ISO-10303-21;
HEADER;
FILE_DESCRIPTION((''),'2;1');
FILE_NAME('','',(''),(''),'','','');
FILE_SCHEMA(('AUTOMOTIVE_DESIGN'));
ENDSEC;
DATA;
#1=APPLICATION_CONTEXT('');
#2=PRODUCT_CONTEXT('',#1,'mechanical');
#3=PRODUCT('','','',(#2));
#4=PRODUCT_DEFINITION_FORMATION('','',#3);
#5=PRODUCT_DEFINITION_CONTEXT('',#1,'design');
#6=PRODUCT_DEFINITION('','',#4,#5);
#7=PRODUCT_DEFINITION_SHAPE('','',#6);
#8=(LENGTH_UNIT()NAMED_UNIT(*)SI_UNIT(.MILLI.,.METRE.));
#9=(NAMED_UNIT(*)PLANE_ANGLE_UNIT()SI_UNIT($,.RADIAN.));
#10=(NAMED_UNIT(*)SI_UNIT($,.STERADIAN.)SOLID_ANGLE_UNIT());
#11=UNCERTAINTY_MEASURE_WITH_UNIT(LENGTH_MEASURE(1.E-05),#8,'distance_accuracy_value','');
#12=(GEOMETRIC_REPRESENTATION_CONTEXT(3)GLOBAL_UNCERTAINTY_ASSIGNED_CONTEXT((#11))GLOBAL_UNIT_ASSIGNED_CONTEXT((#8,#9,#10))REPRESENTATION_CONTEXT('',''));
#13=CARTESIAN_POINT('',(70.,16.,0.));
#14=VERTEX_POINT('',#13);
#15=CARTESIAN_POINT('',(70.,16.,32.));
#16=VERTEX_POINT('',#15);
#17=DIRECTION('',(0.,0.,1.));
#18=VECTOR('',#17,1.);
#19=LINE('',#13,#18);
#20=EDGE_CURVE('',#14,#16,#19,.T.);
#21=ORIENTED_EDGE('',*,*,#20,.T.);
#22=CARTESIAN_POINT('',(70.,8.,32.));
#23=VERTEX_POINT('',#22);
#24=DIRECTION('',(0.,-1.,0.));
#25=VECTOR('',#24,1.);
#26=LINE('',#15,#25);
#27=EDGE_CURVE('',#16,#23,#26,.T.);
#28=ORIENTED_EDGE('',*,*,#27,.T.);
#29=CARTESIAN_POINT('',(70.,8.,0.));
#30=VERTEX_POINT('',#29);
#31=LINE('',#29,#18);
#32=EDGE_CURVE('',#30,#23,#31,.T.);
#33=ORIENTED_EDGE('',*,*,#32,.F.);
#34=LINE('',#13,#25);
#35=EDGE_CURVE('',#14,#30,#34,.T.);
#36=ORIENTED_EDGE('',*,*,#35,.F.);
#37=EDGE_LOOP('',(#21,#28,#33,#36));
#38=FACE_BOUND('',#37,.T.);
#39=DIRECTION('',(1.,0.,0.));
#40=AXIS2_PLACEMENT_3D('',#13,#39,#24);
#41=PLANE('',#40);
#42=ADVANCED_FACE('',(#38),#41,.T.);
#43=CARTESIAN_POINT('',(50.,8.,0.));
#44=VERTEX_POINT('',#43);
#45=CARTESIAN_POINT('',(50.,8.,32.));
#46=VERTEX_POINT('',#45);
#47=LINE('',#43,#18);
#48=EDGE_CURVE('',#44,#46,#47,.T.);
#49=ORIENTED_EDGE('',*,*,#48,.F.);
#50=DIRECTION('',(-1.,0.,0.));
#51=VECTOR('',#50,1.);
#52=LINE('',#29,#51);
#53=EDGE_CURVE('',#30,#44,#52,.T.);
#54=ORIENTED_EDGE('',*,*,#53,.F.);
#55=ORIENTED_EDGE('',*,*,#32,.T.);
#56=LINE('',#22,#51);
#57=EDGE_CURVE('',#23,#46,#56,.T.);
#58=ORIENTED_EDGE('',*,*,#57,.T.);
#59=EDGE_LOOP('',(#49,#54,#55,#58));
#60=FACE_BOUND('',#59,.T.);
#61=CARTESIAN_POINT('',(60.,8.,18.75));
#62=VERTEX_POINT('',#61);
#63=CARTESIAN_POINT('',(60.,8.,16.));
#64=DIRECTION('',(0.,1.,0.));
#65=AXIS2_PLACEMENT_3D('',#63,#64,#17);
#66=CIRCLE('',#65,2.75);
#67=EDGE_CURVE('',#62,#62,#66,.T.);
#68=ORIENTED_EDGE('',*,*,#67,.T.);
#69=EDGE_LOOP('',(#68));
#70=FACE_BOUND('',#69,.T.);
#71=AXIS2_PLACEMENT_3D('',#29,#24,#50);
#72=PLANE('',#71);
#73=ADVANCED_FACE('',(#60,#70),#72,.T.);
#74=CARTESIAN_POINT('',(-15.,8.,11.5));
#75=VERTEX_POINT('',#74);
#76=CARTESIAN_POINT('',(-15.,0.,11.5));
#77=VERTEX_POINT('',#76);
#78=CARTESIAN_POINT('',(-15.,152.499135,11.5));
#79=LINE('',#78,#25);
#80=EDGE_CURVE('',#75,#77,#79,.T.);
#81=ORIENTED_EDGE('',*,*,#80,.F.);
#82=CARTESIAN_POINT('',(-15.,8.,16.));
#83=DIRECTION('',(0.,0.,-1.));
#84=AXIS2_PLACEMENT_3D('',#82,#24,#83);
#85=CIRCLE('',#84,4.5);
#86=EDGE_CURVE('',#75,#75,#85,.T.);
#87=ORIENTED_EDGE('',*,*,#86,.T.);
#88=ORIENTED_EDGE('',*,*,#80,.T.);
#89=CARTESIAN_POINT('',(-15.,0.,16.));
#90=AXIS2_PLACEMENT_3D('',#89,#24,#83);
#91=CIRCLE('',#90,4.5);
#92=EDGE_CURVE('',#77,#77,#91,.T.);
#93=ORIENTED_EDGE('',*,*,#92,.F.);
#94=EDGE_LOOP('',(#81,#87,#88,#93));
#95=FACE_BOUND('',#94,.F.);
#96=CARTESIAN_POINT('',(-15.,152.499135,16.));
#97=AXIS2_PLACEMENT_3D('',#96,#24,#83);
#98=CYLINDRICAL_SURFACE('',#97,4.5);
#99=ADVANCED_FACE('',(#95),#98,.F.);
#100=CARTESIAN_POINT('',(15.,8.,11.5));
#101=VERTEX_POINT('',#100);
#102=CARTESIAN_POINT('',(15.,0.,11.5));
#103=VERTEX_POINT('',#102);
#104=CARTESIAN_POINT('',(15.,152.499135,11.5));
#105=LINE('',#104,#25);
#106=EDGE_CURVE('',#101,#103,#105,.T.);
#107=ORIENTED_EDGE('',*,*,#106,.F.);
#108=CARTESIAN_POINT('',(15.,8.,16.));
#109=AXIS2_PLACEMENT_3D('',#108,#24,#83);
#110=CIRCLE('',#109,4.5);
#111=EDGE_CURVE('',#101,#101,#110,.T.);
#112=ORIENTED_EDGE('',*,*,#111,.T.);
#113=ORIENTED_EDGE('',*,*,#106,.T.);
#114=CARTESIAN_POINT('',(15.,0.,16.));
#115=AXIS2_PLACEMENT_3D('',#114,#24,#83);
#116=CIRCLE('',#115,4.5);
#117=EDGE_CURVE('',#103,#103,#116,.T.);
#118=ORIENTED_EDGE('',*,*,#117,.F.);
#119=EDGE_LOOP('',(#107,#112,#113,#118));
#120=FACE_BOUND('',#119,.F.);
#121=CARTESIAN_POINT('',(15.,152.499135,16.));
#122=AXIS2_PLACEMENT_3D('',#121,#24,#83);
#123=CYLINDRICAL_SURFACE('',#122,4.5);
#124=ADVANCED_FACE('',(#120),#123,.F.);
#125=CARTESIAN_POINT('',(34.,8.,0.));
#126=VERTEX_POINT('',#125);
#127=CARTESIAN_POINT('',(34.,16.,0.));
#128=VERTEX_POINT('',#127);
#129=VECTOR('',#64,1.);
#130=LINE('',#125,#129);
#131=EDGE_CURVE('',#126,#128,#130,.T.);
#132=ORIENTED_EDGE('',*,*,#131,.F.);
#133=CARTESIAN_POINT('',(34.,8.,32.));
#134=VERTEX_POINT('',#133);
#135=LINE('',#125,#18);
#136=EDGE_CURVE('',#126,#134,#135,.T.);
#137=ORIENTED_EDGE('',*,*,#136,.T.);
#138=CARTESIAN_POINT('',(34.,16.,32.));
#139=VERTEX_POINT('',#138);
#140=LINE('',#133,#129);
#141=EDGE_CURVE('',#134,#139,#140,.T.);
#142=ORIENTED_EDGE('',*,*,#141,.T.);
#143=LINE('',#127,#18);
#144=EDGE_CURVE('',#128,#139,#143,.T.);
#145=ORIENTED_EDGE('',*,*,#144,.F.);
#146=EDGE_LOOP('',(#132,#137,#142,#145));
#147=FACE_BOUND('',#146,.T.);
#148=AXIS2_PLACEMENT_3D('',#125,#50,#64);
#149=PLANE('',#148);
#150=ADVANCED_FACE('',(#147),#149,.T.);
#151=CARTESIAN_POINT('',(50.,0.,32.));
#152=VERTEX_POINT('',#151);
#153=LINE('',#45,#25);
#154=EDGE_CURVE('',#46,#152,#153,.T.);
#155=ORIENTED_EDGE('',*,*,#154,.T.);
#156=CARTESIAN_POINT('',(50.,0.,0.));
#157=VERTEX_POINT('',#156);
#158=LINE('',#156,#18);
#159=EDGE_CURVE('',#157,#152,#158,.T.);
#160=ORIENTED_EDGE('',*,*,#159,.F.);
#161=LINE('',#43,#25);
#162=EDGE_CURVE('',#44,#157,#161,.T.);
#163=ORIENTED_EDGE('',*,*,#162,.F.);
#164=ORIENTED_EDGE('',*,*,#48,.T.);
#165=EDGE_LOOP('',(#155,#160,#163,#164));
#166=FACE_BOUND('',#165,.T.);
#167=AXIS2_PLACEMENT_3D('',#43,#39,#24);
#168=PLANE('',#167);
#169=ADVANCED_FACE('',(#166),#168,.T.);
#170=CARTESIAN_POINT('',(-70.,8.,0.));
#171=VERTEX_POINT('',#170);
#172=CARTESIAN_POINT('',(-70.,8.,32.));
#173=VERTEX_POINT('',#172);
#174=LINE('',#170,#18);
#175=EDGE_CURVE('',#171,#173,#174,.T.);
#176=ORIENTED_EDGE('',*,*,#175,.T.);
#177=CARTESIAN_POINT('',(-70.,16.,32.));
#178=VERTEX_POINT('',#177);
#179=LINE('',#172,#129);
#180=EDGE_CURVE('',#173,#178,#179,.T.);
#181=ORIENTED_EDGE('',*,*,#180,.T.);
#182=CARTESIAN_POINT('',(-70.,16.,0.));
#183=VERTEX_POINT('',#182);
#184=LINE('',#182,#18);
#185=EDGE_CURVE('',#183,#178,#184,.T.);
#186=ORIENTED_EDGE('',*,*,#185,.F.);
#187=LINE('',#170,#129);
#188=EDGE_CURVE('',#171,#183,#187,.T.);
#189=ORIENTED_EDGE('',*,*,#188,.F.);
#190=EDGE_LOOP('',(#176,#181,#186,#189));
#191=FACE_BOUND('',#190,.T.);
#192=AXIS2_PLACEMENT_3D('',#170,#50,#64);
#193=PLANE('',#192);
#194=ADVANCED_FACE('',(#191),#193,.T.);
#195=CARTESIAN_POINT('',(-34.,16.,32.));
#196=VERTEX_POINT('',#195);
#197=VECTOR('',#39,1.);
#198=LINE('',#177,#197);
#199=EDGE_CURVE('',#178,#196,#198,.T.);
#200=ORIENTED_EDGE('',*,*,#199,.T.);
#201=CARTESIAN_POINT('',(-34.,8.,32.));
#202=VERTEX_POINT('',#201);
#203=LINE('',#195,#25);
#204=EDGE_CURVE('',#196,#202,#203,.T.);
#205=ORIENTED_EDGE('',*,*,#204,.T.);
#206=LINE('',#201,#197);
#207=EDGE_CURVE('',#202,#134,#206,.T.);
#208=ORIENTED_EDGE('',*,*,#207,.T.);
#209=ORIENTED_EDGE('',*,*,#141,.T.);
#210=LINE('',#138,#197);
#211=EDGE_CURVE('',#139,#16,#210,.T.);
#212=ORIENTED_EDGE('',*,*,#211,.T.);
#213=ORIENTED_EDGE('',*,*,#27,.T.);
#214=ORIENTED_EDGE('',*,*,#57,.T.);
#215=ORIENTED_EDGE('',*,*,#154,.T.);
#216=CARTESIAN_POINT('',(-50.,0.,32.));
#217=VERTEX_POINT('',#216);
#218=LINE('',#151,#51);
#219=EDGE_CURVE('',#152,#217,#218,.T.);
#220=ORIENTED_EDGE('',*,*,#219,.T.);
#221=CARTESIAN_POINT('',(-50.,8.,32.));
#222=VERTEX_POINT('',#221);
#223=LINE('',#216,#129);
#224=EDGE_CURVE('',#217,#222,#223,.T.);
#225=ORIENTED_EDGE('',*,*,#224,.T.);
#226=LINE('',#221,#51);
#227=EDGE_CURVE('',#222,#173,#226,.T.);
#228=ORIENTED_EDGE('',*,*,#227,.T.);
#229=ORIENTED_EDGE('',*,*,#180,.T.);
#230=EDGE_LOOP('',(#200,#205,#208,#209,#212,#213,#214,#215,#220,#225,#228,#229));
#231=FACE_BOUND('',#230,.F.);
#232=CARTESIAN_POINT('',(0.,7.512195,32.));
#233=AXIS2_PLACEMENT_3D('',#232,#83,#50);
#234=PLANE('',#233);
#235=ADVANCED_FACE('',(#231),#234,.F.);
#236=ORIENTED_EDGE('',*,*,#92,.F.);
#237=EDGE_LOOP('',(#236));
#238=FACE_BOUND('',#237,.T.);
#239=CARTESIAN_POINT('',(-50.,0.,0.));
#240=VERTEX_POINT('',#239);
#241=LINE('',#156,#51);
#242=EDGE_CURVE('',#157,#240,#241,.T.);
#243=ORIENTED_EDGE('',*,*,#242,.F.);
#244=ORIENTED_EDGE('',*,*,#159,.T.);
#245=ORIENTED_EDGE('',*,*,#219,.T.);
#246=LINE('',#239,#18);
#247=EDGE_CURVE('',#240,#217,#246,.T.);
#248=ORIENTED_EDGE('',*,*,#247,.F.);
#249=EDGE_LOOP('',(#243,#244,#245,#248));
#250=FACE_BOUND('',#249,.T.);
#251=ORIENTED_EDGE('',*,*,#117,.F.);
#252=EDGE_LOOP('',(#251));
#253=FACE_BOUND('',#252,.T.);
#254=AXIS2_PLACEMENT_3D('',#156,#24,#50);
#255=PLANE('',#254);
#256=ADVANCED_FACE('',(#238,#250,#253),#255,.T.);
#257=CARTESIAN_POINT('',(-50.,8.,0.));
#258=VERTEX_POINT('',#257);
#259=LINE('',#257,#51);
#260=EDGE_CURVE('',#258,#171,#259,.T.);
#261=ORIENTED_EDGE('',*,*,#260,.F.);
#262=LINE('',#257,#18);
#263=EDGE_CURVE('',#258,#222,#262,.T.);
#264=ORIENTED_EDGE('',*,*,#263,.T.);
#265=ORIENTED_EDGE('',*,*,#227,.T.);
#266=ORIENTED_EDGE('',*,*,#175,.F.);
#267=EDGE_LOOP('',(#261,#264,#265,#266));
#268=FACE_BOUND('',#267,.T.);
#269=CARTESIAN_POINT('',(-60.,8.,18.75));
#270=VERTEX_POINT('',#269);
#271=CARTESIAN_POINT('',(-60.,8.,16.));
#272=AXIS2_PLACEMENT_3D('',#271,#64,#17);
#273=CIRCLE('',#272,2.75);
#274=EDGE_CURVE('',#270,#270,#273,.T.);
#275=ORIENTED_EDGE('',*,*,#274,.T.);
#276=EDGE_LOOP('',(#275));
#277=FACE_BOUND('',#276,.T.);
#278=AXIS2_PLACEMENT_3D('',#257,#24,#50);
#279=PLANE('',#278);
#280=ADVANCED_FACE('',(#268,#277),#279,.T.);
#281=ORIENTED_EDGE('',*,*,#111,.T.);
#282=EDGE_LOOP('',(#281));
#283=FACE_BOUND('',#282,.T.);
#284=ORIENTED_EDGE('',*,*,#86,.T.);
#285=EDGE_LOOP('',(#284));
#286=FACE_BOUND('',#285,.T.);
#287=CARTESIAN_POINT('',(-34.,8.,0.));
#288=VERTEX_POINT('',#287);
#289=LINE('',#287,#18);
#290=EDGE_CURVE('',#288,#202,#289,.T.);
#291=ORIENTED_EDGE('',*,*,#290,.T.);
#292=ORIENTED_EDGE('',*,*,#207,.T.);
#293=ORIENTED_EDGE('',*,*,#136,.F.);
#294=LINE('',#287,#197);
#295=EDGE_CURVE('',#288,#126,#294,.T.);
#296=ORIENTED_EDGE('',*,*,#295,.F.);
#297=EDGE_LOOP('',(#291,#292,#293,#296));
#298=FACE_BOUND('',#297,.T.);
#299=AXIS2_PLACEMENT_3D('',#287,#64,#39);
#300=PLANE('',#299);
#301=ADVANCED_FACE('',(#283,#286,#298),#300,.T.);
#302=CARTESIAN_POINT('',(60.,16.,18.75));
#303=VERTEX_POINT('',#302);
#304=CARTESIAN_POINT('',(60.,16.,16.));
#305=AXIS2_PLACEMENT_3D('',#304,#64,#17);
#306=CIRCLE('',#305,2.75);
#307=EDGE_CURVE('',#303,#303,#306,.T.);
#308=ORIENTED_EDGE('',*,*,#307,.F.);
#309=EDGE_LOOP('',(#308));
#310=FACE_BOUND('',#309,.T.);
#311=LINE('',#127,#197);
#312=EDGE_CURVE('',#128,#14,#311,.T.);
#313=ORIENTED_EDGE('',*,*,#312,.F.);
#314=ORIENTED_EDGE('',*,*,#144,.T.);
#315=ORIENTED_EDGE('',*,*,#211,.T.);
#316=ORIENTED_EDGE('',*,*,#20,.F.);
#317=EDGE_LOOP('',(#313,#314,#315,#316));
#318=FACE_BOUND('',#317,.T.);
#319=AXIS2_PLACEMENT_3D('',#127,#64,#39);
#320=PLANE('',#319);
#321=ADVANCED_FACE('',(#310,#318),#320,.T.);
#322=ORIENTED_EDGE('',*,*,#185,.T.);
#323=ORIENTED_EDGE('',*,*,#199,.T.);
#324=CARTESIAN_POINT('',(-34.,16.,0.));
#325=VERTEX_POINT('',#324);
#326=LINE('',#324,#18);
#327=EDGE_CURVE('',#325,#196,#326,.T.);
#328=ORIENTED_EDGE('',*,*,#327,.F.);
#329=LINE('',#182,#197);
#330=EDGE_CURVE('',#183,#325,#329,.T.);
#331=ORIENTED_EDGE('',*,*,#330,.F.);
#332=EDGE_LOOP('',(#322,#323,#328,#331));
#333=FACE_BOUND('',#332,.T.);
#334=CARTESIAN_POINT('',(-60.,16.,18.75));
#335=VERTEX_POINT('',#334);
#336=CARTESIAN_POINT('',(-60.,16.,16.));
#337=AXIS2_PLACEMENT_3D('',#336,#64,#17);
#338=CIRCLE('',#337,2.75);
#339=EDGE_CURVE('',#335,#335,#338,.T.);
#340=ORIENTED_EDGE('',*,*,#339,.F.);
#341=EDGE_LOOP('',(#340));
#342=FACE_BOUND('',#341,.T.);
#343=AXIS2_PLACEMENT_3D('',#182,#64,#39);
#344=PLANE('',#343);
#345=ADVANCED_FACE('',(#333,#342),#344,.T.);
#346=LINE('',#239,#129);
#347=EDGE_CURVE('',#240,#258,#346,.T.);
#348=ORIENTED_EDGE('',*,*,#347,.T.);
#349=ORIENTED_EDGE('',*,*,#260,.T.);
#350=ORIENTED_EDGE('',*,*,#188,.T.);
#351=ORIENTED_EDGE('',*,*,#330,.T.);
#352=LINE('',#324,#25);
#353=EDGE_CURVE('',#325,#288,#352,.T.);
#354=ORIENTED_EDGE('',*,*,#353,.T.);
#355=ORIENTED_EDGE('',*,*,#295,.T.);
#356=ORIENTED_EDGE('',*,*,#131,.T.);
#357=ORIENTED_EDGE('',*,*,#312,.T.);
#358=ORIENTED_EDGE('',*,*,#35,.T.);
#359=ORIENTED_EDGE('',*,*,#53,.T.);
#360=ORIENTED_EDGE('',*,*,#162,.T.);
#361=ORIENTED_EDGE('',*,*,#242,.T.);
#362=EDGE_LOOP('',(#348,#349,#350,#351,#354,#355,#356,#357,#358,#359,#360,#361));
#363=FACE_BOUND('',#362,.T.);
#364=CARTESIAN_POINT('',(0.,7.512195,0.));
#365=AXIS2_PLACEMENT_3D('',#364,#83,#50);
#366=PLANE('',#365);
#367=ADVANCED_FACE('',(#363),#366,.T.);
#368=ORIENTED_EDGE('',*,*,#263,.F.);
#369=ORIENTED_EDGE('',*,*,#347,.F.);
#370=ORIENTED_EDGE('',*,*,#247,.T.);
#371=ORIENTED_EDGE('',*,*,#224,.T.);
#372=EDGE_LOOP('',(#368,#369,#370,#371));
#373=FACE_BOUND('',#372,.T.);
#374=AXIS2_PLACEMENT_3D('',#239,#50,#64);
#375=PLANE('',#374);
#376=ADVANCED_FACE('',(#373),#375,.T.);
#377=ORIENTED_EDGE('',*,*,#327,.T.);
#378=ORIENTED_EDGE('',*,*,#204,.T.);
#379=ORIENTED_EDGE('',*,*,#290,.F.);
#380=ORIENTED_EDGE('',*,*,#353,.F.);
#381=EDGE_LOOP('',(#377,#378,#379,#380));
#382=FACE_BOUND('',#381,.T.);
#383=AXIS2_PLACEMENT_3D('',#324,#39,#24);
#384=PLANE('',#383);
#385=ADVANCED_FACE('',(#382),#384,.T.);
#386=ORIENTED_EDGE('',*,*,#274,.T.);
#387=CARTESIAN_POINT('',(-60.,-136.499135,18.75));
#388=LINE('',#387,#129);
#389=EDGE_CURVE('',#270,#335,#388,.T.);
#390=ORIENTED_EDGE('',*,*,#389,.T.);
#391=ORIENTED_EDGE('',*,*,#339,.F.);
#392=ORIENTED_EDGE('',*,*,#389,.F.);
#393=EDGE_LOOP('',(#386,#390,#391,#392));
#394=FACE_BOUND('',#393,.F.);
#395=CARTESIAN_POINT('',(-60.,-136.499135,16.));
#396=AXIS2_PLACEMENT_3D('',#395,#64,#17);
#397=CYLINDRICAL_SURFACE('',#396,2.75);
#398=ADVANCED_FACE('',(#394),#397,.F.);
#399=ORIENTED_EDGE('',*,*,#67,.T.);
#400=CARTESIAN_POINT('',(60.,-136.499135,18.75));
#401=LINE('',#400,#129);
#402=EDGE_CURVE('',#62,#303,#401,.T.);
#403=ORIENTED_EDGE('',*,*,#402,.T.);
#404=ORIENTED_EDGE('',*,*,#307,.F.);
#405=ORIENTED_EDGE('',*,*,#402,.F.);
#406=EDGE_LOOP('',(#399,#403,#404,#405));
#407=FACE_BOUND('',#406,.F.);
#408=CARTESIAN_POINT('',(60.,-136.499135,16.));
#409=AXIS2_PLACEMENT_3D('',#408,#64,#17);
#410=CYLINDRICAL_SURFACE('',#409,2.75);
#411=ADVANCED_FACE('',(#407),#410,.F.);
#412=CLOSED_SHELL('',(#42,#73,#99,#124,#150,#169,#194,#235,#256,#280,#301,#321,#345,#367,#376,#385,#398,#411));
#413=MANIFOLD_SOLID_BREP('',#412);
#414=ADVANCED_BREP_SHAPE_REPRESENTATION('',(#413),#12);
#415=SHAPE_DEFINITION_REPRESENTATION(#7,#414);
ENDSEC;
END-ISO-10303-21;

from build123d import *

# Parameters (mm, degrees)
AUFSATZ_LINEAR_AUSTRAGEN1_DEPTH  = 32
F_9_0_9_DURCHMESSER_BOHRUNG1_D   = 9
F_5_5_5_5_DURCHMESSER_BOHRUNG1_D = 5.5


with BuildPart() as part:
    # Skizze1 → Aufsatz-Linear austragen1 (new body)
    with BuildSketch(Plane.XY):
        Polygon((-70, 16), (-34, 16), (-34, 8), (34, 8), (34, 16), (70, 16), (70, 8), (50, 8), (50, 0), (-50, 0), (-50, 8), (-70, 8), align=None)
    extrude(amount=AUFSATZ_LINEAR_AUSTRAGEN1_DEPTH)

    # Ø9.0 (9) Durchmesser Bohrung1 (through all)
    with Locations(Plane(origin=(15, 8, 16), x_dir=(0, 0, 1), z_dir=(0, 1, 0))):
        with Locations((0, 0), (0, -30)):
            Hole(F_9_0_9_DURCHMESSER_BOHRUNG1_D / 2)

    # Ø5.5 (5.5) Durchmesser Bohrung1 (through all)
    with Locations(Plane(origin=(-60, 8, 16), x_dir=(0, 0, -1), z_dir=(0, -1, 0))):
        with Locations((0, 0), (0, 120)):
            Hole(F_5_5_5_5_DURCHMESSER_BOHRUNG1_D / 2)


solid = part.part
